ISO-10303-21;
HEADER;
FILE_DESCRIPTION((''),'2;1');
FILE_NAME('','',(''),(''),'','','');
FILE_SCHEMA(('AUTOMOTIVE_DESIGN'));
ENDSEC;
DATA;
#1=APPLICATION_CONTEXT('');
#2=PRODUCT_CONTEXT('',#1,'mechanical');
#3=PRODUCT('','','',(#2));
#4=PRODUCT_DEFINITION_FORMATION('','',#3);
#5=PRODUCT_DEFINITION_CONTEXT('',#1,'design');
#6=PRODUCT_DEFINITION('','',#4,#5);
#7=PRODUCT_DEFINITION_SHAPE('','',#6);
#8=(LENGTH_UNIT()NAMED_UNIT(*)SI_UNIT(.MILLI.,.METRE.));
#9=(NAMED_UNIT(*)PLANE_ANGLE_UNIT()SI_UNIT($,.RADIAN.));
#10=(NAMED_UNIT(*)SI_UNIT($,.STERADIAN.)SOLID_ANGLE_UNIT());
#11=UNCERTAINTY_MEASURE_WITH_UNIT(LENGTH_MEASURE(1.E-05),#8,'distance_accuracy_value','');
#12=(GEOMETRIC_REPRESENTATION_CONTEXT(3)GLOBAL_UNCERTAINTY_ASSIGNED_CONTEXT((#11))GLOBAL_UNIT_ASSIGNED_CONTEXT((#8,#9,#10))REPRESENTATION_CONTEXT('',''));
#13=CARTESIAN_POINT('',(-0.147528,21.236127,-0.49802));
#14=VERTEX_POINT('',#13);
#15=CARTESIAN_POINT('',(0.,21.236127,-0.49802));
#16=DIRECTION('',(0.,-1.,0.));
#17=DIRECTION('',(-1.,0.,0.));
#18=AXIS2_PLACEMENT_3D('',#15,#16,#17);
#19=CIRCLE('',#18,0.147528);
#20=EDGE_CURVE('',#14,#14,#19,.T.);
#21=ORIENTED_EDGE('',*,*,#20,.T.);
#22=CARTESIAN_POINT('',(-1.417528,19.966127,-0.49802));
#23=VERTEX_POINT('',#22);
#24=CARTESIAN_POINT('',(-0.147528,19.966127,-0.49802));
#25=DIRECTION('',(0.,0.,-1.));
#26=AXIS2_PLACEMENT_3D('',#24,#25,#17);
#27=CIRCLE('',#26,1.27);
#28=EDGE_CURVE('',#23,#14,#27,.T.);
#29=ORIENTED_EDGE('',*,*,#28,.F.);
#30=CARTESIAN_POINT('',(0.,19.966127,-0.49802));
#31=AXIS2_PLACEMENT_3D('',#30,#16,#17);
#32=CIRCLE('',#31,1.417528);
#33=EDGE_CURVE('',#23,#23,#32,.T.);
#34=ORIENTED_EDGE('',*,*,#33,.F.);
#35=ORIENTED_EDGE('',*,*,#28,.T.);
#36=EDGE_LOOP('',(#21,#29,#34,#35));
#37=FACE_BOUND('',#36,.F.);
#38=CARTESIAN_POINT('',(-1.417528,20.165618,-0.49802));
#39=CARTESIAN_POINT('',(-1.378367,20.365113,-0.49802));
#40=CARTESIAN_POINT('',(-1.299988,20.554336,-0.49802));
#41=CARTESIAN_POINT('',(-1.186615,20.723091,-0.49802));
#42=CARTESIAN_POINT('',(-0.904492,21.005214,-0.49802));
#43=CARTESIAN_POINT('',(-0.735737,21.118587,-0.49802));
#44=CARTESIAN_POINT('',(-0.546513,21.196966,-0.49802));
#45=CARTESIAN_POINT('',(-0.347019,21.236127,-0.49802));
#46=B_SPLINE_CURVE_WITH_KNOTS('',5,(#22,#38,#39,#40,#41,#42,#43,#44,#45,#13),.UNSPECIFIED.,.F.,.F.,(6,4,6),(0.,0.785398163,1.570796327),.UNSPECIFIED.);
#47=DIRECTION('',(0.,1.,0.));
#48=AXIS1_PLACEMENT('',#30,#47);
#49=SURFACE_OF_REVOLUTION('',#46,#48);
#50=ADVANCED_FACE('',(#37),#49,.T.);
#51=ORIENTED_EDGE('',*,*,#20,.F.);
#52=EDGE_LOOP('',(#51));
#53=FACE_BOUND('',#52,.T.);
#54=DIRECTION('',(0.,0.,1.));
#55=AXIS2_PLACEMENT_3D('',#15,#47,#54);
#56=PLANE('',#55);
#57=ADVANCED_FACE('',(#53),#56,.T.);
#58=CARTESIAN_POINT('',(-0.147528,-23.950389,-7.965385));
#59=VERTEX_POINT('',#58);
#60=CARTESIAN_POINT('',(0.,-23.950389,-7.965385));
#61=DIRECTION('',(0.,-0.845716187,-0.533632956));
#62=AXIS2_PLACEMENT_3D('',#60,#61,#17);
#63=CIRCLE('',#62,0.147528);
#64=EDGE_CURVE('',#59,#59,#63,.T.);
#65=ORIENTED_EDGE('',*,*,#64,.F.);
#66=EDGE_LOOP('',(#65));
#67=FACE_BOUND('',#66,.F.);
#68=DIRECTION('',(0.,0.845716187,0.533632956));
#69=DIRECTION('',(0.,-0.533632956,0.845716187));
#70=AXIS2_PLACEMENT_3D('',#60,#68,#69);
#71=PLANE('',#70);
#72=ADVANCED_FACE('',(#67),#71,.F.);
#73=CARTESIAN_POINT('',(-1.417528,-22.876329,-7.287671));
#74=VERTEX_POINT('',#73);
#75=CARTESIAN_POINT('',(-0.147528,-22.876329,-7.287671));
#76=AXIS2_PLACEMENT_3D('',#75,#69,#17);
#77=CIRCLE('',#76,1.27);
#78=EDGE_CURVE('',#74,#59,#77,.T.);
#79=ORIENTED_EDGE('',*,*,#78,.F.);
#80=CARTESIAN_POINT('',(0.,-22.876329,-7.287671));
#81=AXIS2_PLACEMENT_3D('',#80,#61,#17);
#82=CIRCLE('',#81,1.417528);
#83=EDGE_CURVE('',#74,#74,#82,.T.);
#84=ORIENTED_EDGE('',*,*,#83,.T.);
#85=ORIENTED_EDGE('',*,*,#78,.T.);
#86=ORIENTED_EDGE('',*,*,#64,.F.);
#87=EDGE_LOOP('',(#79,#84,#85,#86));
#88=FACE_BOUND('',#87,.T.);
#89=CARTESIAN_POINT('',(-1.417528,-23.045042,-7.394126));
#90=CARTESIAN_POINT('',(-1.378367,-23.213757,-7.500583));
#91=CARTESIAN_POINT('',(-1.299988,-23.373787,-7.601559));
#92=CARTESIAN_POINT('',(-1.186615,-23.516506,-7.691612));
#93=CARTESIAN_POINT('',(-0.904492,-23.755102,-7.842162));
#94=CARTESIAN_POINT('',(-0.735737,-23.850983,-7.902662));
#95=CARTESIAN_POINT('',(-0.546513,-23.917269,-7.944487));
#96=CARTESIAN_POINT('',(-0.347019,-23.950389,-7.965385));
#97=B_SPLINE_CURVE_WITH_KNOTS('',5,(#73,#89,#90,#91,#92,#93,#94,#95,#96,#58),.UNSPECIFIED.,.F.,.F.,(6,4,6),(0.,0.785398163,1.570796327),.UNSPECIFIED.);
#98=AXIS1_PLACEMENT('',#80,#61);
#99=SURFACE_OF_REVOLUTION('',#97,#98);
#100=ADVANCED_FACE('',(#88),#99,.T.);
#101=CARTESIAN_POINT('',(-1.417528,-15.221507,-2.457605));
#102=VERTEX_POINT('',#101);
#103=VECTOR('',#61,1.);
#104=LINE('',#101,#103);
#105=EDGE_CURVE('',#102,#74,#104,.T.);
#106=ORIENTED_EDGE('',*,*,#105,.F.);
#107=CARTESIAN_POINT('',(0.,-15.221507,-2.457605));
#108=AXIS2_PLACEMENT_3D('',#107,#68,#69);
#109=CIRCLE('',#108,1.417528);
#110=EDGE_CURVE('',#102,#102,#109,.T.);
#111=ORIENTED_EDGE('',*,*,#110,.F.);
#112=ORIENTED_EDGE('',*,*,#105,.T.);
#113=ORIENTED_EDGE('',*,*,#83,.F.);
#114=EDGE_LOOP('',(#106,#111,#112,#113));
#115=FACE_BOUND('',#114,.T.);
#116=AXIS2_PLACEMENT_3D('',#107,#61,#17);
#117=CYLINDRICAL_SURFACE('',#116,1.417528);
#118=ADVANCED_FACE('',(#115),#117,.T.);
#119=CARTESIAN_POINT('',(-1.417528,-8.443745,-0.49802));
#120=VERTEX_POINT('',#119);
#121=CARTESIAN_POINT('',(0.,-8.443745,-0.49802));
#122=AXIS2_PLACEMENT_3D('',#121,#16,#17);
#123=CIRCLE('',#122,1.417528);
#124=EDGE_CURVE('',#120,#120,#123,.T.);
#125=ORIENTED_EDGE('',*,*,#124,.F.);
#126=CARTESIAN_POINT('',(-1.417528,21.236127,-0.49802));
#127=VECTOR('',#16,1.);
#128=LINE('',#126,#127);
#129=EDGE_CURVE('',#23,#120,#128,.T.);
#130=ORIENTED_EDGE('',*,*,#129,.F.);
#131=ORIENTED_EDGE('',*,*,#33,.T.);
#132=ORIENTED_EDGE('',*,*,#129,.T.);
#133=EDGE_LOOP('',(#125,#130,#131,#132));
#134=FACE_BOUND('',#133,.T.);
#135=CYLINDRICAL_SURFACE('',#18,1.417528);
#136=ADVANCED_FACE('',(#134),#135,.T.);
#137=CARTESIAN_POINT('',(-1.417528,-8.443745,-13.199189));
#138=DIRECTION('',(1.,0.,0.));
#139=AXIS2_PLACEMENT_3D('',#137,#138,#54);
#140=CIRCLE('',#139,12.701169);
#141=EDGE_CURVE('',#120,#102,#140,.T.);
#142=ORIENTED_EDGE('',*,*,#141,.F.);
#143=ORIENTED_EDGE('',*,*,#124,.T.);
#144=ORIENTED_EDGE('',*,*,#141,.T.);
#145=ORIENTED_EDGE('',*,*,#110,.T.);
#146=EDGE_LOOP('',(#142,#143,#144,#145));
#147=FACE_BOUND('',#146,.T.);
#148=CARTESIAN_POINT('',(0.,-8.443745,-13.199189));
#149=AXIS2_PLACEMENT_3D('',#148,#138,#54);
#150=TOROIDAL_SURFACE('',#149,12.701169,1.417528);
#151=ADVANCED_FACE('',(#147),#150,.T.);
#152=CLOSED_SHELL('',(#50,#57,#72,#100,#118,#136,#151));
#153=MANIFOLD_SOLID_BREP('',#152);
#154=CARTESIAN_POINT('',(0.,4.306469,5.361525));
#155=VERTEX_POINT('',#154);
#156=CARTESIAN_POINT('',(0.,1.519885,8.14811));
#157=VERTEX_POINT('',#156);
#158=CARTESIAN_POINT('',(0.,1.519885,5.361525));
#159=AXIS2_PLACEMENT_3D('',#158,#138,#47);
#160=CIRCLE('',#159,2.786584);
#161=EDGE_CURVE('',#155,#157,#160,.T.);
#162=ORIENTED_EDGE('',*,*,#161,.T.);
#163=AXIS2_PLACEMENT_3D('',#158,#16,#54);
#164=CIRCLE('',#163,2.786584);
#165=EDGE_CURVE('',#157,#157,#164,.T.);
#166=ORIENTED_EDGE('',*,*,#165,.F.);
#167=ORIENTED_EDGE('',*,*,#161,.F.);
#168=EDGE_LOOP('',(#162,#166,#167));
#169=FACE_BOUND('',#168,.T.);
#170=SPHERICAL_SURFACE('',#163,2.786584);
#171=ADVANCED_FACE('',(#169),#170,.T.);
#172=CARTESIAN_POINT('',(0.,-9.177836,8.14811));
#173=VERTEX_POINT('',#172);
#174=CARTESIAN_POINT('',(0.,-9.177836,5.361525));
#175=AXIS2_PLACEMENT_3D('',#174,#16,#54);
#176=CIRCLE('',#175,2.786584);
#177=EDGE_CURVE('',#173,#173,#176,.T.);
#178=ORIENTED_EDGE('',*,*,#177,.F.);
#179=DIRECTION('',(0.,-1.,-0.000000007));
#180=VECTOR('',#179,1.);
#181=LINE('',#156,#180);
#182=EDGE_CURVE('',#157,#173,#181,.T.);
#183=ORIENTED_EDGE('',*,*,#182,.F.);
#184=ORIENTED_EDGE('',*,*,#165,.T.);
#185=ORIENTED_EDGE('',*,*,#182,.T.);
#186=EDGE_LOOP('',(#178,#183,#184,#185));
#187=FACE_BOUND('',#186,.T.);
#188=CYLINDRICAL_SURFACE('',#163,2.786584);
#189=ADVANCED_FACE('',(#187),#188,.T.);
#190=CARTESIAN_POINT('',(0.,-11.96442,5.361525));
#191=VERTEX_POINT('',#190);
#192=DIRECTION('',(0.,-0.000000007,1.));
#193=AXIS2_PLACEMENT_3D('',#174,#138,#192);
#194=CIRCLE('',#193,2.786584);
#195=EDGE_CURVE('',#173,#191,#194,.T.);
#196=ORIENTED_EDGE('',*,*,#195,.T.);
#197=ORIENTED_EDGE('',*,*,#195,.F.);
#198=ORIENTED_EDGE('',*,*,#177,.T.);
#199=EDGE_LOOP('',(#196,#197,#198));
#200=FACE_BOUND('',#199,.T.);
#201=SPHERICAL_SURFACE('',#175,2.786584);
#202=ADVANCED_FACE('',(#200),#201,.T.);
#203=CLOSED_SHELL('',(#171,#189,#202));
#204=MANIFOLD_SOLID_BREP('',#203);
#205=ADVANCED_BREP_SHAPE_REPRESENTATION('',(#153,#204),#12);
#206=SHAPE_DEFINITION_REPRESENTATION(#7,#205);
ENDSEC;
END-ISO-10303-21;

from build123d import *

# Parameters (mm, degrees)
F2_R = 1.4175279042
F4_R = 1.27


with BuildPart() as f3:
    # F3: sweep along a path in F0
    with BuildLine(Plane.YZ) as f3_path:
        Line((21.2361272424, -0.4991888418), (-8.4437446235, -0.4991888418))
        ThreePointArc((-8.4437446235, -0.4991888418), (-11.9710974737, -0.9988699168), (-15.2208831642, -2.4585932717))
        Line((-15.2208831642, -2.4585932717), (-23.9497648395, -7.9663735463))
    # F2 (on line) → F3 (sweep)
    with BuildSketch(Plane(origin=(0, 21.2361272424, 0), x_dir=(-1, 0, 0), z_dir=(0, 1, 0))):
        with Locations((0, -0.4980200902)):
            Circle(F2_R)
    sweep(path=f3_path.line)

    # F4
    f4_edges = [f3.edges().sort_by_distance(p)[0] for p in [
        (1.417528, 21.236127, -0.49802),
        (1.417528, -23.950389, -7.965385),
    ]]
    fillet(f4_edges, radius=F4_R)


with BuildPart() as f6:
    # F5 (on Right) → F6 (revolve)
    with BuildSketch(Plane.YZ):
        with BuildLine():
            Line((-11.9644199369, 5.3615253419), (4.3064690763, 5.3615253419))
            ThreePointArc((4.3064690763, 5.3615253419), (3.4902974308, 7.3319379883), (1.5198847788, 8.1481096204))
            Line((1.5198847788, 8.1481096204), (-9.1778356773, 8.1481095477))
            ThreePointArc((-9.1778356773, 8.1481095477), (-11.148248279, 7.3319379279), (-11.9644199369, 5.3615253419))
        make_face()
    revolve(axis=Axis((0, -2.9575966764, 5.3615253419), (0, -1, 0)))


solid = Compound([f3.part, f6.part])
